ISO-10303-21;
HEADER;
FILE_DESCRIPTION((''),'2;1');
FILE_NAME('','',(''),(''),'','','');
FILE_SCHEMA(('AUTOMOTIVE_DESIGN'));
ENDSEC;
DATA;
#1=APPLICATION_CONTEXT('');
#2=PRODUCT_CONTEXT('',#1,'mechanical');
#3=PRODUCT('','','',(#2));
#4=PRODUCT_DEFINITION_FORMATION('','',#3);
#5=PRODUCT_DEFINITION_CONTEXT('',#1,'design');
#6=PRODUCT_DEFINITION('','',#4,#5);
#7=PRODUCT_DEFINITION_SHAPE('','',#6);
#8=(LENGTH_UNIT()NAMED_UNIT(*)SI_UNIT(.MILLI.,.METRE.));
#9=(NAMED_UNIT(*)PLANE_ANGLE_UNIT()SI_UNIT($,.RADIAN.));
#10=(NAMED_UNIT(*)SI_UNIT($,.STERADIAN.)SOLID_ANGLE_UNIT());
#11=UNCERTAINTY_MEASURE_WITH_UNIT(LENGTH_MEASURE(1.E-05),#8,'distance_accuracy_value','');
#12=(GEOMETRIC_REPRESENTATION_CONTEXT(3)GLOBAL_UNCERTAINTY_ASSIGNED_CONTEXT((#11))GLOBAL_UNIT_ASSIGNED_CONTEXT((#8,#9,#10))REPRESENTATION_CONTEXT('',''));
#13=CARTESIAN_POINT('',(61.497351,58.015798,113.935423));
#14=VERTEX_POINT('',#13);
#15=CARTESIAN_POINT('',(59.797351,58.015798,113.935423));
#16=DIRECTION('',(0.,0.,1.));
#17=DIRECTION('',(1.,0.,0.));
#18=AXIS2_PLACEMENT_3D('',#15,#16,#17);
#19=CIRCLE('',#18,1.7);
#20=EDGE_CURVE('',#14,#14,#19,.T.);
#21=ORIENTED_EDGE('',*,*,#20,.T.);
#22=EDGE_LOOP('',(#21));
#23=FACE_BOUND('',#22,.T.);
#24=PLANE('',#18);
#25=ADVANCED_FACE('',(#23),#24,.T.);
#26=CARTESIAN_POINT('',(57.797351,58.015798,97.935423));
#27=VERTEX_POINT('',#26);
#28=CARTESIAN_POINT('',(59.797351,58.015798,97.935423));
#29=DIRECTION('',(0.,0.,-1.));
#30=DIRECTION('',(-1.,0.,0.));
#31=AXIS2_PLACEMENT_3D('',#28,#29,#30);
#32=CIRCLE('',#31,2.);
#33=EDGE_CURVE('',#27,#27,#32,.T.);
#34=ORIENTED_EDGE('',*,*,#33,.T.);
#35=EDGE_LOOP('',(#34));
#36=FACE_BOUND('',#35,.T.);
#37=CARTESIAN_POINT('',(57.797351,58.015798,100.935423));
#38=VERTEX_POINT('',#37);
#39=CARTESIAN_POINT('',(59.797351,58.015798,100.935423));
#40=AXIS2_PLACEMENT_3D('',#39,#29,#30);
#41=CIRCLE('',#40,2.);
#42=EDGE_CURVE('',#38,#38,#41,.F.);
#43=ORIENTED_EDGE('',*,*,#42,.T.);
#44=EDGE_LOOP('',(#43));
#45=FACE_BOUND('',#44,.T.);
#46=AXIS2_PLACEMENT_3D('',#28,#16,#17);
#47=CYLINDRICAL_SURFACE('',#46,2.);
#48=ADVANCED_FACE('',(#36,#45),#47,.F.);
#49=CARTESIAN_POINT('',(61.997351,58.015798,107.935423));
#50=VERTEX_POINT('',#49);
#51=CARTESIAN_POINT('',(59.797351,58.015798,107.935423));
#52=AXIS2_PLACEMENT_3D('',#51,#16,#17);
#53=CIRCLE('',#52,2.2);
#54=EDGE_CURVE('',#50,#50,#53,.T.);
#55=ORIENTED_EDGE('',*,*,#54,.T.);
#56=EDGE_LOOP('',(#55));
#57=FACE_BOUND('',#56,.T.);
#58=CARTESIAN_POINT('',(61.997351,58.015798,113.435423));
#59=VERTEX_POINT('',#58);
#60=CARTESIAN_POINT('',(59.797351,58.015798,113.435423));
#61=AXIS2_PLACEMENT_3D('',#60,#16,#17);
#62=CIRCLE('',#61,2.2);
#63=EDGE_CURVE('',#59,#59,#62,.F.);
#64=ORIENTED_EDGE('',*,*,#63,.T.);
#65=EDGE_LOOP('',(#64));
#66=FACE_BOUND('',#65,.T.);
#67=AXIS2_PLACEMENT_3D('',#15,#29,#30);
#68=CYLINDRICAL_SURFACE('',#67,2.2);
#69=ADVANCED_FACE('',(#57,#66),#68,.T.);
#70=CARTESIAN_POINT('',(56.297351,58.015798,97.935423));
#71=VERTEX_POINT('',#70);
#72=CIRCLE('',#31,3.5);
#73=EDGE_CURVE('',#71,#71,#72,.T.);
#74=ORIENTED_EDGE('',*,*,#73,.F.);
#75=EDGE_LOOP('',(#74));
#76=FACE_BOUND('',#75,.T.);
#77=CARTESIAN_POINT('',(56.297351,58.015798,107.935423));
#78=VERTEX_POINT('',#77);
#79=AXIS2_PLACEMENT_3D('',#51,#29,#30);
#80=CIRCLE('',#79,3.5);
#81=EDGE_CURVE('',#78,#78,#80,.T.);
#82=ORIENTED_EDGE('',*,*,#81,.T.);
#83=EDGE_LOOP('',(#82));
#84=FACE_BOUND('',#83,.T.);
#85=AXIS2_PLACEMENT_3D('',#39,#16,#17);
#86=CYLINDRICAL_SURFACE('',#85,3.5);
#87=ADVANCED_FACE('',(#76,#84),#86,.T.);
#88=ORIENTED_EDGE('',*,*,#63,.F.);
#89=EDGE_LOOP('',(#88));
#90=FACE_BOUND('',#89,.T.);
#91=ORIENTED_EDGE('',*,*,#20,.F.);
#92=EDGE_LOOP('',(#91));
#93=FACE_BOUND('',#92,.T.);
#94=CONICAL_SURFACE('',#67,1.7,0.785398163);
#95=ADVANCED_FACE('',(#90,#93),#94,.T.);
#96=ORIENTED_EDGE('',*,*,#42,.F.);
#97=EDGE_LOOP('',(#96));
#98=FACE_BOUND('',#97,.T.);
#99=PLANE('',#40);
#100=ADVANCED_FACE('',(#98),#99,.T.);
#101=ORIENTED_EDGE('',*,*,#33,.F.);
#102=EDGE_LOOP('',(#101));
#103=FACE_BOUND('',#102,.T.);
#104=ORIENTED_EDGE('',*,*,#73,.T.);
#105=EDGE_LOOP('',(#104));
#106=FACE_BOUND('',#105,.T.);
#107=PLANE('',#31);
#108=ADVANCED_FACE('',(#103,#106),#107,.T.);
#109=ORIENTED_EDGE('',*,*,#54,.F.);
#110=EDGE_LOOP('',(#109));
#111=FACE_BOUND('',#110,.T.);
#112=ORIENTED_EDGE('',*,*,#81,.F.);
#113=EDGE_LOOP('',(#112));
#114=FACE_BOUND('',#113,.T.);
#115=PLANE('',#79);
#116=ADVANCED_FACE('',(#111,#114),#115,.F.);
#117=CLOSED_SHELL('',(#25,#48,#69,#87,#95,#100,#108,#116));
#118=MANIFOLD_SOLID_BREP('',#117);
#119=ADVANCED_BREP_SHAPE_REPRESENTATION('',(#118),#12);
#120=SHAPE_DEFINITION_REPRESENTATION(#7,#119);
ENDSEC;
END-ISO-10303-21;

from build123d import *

# Parameters (mm, degrees)
SKETCH1_R           = 3.5
BOSS_EXTRUDE1_DEPTH = 7
SKETCH2_R           = 3.5
SKETCH2_R_2         = 2
BOSS_EXTRUDE2_DEPTH = 3
SKETCH3_R           = 2.2
BOSS_EXTRUDE3_DEPTH = 6
CHAMFER1_SIZE       = 0.5


with BuildPart() as part:
    # Sketch1 → Boss-Extrude1 (new body)
    with BuildSketch(Plane(origin=(0, 0, 107.93542322), x_dir=(-1, 0, 0), z_dir=(0, 0, -1))):
        with Locations((-59.79735108, 58.015798494)):
            Circle(SKETCH1_R)
    extrude(amount=BOSS_EXTRUDE1_DEPTH)

    # Sketch2 → Boss-Extrude2 (add)
    with BuildSketch(Plane(origin=(0, 0, 100.93542322), x_dir=(-1, 0, 0), z_dir=(0, 0, -1))):
        with Locations((-59.79735108, 58.015798494)):
            Circle(SKETCH2_R)
        with Locations((-59.79735108, 58.015798494)):
            Circle(SKETCH2_R_2, mode=Mode.SUBTRACT)
    extrude(amount=BOSS_EXTRUDE2_DEPTH)

    # Sketch3 → Boss-Extrude3 (add)
    with BuildSketch(Plane.XY.offset(107.93542322)):
        with Locations((59.79735108, 58.015798494)):
            Circle(SKETCH3_R)
    extrude(amount=BOSS_EXTRUDE3_DEPTH)

    # Chamfer1
    chamfer1_edges = [part.edges().sort_by_distance(p)[0] for p in [
        (57.59735108, 58.015798494, 113.93542322),
    ]]
    chamfer(chamfer1_edges, length=CHAMFER1_SIZE)


solid = part.part
